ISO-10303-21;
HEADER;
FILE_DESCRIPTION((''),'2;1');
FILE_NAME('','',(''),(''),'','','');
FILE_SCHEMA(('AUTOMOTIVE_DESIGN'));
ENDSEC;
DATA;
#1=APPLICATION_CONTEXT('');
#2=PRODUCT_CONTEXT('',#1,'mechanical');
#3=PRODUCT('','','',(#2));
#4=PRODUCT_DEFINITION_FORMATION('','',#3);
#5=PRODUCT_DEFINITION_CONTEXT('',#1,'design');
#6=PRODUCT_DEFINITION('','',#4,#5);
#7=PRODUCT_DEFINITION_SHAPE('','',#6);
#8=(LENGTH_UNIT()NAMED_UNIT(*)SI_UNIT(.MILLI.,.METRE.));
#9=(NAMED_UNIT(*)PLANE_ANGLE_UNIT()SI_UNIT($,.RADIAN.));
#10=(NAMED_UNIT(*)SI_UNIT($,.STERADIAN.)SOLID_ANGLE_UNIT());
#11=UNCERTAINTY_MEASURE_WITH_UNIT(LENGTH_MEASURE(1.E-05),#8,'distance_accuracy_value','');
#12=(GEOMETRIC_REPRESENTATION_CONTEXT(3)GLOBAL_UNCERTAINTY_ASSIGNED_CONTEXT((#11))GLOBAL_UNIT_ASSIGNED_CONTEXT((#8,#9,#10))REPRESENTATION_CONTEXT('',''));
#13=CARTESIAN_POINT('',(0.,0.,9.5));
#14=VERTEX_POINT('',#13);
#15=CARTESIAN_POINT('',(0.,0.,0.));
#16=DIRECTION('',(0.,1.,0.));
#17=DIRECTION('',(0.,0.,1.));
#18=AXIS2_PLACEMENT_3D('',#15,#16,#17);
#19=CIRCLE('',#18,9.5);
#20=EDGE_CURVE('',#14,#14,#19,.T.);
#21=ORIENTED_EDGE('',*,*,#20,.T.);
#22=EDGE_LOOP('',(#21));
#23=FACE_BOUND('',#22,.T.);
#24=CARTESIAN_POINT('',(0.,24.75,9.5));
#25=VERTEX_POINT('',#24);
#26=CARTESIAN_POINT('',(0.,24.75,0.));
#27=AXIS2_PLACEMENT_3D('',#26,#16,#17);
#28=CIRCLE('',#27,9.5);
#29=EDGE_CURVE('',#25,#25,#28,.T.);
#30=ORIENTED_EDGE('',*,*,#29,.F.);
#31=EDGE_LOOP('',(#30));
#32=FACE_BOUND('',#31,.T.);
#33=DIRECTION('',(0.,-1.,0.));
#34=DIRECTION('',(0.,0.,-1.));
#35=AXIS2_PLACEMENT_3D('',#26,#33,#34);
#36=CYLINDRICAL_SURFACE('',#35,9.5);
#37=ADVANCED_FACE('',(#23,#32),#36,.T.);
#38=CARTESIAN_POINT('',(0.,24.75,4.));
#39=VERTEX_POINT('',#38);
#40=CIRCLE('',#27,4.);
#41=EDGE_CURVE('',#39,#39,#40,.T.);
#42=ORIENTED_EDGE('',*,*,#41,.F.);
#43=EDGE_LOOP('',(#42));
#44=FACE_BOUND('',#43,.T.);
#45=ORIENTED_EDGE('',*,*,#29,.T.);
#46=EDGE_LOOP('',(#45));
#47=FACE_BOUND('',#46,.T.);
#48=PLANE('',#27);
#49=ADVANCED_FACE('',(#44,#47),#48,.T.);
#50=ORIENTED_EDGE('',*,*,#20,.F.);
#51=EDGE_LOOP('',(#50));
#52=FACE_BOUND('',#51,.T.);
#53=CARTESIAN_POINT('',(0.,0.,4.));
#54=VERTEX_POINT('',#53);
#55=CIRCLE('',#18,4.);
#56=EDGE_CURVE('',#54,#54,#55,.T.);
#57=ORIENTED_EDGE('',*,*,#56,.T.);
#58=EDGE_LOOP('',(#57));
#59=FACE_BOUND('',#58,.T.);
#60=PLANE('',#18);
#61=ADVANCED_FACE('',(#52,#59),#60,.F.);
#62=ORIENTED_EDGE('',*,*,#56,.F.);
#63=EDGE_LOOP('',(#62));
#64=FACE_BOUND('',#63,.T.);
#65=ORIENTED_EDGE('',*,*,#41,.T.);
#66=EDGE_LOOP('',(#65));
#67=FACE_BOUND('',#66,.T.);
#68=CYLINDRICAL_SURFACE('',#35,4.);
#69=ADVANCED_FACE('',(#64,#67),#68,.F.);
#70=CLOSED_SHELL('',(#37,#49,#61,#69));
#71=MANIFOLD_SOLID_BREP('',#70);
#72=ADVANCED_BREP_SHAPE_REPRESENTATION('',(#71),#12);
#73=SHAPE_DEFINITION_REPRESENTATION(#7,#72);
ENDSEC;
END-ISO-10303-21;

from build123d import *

# Parameters (mm, degrees)
SKETCH1_R           = 9.5
SKETCH1_R_2         = 4
BOSS_EXTRUDE1_DEPTH = 24.75


with BuildPart() as part:
    # Sketch1 → Boss-Extrude1 (new body)
    with BuildSketch(Plane(origin=(0, 0, 0), x_dir=(1, 0, 0), z_dir=(0, 1, 0))):
        Circle(SKETCH1_R)
        Circle(SKETCH1_R_2, mode=Mode.SUBTRACT)
    extrude(amount=BOSS_EXTRUDE1_DEPTH)


solid = part.part
